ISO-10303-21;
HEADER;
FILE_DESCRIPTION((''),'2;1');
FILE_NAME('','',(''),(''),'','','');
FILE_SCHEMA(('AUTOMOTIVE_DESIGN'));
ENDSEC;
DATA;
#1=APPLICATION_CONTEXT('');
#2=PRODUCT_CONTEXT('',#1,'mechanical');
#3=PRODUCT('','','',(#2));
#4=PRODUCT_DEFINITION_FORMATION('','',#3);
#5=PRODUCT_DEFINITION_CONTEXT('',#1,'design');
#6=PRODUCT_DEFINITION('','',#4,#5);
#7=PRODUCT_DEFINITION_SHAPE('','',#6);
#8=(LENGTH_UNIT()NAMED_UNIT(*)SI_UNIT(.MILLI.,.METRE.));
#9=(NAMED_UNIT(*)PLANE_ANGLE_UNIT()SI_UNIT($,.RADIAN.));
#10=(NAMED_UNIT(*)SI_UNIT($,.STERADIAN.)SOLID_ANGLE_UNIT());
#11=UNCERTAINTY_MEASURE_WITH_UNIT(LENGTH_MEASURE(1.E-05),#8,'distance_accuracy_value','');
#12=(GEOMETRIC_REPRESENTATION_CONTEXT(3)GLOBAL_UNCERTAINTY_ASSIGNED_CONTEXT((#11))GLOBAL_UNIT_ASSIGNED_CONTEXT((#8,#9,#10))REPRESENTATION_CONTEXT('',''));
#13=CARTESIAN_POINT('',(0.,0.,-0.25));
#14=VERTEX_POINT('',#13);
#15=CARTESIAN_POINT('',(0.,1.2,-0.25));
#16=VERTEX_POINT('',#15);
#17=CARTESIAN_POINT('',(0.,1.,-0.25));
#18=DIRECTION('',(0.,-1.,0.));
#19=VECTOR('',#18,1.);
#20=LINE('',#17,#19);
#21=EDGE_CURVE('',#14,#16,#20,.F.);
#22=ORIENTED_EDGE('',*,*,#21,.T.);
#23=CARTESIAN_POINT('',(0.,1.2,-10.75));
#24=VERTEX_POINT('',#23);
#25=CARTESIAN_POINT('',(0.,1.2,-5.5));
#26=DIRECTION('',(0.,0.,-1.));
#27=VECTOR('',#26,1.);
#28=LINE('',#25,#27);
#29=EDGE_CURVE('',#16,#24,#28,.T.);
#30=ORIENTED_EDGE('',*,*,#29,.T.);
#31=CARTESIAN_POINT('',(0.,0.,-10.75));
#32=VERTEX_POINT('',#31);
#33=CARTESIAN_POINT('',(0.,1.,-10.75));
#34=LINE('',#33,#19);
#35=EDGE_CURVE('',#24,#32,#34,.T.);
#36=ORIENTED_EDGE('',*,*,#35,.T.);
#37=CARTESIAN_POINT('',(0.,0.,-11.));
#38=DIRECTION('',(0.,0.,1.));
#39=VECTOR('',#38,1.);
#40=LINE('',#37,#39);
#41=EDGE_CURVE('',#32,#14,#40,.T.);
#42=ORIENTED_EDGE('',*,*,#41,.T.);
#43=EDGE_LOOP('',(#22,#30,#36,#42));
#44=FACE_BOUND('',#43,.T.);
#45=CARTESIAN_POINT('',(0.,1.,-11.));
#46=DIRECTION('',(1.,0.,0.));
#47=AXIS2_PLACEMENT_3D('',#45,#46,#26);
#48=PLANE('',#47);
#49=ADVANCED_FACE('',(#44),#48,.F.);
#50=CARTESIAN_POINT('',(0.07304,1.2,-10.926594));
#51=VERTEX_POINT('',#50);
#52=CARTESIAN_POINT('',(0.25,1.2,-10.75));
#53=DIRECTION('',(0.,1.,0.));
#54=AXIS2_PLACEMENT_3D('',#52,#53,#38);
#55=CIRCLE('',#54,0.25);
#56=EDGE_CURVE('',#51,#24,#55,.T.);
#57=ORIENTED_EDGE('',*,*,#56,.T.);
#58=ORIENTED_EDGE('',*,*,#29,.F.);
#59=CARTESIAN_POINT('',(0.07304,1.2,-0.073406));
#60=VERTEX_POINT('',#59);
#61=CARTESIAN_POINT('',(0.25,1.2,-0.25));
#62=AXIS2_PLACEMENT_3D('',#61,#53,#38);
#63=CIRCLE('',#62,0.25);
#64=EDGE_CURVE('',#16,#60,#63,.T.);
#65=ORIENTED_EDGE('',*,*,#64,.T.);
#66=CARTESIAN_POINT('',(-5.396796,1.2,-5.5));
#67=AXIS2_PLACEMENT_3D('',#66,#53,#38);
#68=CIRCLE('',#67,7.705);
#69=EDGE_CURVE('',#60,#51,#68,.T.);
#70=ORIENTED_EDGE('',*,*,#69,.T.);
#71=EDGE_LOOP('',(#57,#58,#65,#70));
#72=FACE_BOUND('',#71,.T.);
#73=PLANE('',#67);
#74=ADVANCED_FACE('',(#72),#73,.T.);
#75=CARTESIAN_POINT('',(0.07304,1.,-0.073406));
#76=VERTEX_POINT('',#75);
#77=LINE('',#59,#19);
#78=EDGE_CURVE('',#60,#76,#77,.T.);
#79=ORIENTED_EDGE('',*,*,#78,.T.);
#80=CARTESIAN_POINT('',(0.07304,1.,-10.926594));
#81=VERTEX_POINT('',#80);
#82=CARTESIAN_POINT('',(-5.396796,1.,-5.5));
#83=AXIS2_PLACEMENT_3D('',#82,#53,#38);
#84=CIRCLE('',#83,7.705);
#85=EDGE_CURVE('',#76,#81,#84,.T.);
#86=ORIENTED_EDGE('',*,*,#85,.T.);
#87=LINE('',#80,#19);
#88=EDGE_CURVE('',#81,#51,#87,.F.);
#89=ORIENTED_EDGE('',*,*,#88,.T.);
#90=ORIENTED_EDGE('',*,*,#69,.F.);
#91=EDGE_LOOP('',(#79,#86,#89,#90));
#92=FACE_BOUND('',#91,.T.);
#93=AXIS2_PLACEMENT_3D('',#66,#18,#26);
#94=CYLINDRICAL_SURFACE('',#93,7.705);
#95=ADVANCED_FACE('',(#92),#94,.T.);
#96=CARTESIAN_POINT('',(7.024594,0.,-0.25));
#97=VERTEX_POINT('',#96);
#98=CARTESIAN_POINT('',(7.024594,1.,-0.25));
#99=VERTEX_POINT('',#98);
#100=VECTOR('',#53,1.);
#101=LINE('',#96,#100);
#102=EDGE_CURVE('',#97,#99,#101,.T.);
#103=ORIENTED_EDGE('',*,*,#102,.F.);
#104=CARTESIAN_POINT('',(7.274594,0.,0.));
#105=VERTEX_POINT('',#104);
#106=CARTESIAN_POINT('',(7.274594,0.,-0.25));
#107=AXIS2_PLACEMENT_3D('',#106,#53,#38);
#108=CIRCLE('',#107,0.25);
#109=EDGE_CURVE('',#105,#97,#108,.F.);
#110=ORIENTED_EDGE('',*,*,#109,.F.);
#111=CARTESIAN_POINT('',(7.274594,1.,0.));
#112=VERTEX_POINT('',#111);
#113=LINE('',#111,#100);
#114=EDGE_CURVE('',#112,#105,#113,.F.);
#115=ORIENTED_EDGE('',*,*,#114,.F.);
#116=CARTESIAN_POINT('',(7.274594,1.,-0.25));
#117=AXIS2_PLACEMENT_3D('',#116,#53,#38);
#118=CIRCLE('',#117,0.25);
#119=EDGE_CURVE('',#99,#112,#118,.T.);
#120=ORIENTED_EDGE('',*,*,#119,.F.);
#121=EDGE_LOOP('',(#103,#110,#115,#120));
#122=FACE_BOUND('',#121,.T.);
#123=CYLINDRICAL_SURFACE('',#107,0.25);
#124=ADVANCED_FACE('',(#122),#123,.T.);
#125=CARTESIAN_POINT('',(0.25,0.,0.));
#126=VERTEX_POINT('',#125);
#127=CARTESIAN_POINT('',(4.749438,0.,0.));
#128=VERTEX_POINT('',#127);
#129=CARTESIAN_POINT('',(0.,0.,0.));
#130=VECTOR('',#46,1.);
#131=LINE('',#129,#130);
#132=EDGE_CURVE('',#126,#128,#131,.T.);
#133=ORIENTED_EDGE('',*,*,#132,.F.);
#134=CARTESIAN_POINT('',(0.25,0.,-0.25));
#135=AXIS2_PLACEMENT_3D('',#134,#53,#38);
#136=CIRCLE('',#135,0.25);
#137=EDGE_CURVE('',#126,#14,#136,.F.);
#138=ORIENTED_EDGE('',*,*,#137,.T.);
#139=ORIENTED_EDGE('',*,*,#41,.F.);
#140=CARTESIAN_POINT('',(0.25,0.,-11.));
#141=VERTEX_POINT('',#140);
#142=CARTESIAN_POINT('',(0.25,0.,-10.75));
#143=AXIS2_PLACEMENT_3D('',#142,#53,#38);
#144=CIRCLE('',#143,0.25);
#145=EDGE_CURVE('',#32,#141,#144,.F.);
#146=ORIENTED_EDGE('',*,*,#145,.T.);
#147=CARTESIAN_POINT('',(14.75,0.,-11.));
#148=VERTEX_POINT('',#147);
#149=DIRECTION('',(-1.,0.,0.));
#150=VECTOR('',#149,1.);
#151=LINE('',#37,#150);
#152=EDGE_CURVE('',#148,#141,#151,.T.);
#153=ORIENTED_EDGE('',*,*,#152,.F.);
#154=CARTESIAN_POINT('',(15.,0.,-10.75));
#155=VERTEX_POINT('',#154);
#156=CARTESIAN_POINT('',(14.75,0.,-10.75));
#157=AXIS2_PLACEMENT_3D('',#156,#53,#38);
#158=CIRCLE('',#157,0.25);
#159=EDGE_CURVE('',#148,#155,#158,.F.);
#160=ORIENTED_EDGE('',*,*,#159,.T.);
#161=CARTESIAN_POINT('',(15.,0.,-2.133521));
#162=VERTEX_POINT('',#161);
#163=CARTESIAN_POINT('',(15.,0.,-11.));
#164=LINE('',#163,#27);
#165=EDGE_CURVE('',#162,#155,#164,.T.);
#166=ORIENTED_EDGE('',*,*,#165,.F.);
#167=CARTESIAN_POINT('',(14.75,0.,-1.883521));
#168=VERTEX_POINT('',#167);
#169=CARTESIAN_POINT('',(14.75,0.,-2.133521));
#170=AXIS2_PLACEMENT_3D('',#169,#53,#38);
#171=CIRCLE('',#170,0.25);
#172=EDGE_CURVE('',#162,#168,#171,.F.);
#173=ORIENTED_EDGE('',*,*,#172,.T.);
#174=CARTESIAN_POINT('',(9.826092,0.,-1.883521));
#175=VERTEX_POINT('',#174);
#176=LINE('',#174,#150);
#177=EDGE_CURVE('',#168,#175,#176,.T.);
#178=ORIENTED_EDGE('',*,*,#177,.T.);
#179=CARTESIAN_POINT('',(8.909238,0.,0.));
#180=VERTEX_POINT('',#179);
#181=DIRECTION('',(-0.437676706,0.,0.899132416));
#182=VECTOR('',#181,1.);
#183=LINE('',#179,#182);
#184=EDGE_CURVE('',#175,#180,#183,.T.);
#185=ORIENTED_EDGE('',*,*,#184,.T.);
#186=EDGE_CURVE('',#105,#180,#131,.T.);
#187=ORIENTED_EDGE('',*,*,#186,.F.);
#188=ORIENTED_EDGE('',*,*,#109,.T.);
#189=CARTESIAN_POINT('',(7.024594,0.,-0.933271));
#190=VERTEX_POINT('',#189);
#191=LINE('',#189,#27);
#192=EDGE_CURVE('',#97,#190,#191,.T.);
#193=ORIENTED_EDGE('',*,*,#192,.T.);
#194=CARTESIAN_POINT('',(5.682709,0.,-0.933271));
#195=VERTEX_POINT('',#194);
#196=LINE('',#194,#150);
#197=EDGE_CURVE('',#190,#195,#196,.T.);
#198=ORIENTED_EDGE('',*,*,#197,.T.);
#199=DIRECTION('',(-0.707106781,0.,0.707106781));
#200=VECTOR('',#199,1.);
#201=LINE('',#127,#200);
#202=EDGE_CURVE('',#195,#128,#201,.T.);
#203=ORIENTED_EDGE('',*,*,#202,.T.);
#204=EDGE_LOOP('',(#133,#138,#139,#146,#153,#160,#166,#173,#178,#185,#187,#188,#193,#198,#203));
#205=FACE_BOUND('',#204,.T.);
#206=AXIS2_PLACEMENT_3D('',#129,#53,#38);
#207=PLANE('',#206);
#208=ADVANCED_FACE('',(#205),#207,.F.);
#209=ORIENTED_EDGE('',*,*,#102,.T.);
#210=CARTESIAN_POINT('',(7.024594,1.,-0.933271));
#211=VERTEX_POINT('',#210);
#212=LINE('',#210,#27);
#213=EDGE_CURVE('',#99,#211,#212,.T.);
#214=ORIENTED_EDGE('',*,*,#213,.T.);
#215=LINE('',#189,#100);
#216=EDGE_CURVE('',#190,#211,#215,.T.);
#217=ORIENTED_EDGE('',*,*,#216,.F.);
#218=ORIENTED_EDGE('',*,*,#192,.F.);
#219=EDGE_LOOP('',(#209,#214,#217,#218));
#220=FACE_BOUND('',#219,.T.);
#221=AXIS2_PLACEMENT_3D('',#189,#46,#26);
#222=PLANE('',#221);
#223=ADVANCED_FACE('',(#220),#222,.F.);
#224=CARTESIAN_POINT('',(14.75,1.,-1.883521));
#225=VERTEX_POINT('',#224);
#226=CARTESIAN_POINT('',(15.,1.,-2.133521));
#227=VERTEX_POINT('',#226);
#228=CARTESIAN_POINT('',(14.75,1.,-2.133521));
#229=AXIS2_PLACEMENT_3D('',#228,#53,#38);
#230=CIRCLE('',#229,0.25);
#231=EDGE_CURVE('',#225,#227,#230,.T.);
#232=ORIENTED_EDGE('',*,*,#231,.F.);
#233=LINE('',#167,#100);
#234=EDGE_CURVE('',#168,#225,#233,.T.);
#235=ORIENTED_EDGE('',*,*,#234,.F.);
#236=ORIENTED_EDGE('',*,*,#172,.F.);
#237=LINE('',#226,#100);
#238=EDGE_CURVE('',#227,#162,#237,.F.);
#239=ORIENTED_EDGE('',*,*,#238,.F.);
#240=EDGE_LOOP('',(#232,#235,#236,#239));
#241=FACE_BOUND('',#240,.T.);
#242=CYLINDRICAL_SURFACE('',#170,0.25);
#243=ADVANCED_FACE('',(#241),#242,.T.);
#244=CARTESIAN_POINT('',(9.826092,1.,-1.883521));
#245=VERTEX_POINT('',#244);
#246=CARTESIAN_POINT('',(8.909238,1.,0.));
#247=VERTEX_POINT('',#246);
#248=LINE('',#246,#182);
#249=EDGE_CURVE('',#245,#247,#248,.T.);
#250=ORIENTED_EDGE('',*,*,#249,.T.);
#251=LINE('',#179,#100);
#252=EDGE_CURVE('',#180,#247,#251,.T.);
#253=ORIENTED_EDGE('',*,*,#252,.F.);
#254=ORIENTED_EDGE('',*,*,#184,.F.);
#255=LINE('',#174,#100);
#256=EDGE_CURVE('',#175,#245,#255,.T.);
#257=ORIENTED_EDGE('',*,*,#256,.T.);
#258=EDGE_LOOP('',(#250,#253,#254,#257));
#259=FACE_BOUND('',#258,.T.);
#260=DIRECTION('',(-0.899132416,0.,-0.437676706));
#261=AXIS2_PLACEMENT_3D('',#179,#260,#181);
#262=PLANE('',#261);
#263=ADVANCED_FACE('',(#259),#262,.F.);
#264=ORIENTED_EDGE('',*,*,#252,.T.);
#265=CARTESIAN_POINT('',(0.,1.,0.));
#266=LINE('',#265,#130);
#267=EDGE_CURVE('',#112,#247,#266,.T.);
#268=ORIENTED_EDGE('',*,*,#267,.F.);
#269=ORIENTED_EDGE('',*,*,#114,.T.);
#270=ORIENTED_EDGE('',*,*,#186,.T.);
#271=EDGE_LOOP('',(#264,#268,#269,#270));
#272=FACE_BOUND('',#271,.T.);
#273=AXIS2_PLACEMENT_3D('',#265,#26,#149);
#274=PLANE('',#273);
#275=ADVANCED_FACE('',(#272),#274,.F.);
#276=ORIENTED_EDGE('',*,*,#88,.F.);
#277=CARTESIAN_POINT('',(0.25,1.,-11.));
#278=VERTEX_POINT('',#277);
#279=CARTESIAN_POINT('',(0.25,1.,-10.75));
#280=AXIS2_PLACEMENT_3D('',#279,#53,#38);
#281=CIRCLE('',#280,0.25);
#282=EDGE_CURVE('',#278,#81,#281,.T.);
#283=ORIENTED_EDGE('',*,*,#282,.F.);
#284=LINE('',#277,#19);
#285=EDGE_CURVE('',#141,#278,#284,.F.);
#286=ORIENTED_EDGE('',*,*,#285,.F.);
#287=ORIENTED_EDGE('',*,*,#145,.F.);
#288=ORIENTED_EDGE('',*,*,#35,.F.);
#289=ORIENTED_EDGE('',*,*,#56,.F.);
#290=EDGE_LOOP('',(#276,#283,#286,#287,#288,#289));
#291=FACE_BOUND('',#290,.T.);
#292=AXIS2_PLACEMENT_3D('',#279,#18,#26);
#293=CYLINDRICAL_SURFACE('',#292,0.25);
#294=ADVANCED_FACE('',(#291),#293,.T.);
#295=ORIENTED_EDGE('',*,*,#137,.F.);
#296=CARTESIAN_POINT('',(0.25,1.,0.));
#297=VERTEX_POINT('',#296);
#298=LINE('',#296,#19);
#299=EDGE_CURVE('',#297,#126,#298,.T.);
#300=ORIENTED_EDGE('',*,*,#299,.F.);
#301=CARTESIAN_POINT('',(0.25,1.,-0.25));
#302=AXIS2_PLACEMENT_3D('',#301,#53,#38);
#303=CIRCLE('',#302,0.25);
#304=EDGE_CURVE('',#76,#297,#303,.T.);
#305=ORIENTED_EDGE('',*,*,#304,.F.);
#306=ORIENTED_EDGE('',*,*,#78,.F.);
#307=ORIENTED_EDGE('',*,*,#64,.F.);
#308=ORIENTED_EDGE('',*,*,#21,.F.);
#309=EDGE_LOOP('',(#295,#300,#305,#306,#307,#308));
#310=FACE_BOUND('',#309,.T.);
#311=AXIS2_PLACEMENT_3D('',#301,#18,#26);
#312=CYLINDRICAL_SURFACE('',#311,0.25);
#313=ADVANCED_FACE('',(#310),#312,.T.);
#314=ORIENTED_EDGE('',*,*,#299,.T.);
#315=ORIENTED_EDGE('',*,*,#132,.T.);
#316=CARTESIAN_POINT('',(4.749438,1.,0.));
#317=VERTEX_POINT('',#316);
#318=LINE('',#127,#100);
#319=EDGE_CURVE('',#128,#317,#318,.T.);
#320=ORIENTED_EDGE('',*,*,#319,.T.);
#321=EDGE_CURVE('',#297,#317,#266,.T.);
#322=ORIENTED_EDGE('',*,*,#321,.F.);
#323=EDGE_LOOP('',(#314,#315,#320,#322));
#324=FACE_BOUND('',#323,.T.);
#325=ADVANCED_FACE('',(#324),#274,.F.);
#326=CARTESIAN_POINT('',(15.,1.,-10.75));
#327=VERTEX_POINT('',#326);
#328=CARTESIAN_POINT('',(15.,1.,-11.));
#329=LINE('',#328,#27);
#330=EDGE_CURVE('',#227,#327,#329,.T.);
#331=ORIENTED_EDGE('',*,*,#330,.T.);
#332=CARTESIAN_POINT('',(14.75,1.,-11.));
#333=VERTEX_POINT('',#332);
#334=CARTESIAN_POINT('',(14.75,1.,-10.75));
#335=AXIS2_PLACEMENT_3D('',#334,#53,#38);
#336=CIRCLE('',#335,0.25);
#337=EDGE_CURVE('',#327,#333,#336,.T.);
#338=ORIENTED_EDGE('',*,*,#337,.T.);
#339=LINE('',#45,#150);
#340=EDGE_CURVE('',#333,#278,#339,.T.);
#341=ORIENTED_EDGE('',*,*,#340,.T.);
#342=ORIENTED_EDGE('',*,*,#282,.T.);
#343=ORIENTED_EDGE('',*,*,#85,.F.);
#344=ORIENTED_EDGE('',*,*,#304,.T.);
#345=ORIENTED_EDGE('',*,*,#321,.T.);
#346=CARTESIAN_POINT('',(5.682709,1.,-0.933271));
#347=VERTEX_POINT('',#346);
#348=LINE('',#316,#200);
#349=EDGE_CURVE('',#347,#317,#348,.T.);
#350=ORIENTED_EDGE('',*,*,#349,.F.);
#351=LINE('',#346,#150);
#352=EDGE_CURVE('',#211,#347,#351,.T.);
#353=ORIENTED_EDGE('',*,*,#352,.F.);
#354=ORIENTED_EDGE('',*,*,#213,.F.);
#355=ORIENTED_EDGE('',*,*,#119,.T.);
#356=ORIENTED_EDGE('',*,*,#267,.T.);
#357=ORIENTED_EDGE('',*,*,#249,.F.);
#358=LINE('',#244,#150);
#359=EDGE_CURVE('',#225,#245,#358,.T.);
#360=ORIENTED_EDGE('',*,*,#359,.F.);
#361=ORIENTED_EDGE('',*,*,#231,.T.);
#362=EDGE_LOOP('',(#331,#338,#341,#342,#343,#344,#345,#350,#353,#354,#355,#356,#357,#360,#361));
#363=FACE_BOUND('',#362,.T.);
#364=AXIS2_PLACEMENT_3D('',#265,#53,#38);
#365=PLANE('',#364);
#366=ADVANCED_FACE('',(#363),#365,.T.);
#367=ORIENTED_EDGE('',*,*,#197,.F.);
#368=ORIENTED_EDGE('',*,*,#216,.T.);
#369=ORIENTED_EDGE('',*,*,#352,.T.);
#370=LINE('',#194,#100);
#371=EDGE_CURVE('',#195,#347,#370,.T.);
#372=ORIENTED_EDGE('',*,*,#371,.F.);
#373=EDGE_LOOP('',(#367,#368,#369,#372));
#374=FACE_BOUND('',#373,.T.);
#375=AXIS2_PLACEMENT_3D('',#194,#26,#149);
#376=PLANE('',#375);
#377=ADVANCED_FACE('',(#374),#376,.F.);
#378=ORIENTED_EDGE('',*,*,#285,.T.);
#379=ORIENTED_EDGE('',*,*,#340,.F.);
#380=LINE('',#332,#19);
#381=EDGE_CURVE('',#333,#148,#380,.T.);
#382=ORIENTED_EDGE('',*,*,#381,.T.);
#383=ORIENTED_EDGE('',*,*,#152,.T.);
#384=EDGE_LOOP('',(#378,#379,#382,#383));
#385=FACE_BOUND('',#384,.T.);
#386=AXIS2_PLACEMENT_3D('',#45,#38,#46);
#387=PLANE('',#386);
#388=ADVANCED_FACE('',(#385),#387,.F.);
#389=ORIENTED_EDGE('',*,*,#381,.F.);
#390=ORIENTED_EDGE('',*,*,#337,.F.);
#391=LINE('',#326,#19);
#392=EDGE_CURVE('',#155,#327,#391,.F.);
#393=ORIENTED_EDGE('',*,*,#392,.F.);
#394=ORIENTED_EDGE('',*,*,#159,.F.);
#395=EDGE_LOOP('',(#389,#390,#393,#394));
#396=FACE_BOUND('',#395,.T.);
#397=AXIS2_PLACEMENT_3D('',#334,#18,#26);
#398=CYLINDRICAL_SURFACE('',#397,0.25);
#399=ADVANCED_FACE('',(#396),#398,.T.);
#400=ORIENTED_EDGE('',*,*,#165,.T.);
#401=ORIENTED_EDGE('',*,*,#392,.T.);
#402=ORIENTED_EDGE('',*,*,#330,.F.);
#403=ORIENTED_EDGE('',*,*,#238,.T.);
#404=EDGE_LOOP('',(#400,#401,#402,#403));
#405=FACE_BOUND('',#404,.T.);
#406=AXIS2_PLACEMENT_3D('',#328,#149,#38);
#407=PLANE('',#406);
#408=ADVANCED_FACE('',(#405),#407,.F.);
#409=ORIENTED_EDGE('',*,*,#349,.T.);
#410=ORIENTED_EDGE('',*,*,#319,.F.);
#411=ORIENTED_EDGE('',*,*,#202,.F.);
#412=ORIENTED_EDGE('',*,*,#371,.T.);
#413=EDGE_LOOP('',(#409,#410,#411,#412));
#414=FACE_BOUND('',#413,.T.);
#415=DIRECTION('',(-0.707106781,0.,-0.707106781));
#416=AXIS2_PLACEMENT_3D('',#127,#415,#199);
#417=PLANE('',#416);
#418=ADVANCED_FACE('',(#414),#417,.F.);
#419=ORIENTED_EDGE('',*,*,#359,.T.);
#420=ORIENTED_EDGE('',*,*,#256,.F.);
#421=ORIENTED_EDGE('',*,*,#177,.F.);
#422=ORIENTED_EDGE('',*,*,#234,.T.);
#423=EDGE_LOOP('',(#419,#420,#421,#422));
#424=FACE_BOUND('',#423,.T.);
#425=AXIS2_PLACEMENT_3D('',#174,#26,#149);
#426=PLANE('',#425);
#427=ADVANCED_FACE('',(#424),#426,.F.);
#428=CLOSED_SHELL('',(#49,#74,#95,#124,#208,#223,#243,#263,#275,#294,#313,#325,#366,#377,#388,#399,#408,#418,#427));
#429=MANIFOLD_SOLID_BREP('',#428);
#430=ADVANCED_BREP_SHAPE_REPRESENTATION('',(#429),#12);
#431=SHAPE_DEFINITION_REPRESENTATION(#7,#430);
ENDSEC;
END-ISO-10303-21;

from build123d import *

# Parameters (mm, degrees)
SKETCH1_W           = 15
SKETCH1_H           = 11
BOSS_EXTRUDE1_DEPTH = 1
CUT_EXTRUDE3_DEPTH  = 19.62793601
CUT_EXTRUDE4_DEPTH  = 19.62793601
FILLET3_R           = 0.25
FILLET4_R           = 0.25
SKETCH8_R           = 7.705
BOSS_EXTRUDE2_DEPTH = 0.2
SKETCH12_W          = 14.564245133
SKETCH12_H          = 17.019207238
CUT_EXTRUDE5_DEPTH  = 21.020290333
FILLET5_R           = 0.25


with BuildPart() as part:
    # Sketch1 → Boss-Extrude1 (new body)
    with BuildSketch(Plane(origin=(0, 0, 0), x_dir=(1, 0, 0), z_dir=(0, 1, 0))):
        with Locations((7.5, 5.5)):
            Rectangle(SKETCH1_W, SKETCH1_H)
    extrude(amount=BOSS_EXTRUDE1_DEPTH)

    # Sketch4 → Cut-Extrude3 (cut, through all)
    with BuildSketch(Plane(origin=(0, 1, 0), x_dir=(1, 0, 0), z_dir=(0, 1, 0))):
        Polygon((4.749438202, 0), (5.682709114, 0.933270911), (7.024594257, 0.933270911), (7.024594257, 0), align=None)
    extrude(amount=-CUT_EXTRUDE3_DEPTH, mode=Mode.SUBTRACT)

    # Sketch6 → Cut-Extrude4 (cut, through all)
    with BuildSketch(Plane(origin=(0, 1, 0), x_dir=(1, 0, 0), z_dir=(0, 1, 0))):
        Polygon((8.909238452, 0), (9.826092385, 1.883520599), (15, 1.883520599), (15, 0), align=None)
    extrude(amount=-CUT_EXTRUDE4_DEPTH, mode=Mode.SUBTRACT)

    # Fillet3
    fillet3_edges = [part.edges().sort_by_distance(p)[0] for p in [
        (15, 0.5, -1.883520599),
    ]]
    fillet(fillet3_edges, radius=FILLET3_R)

    # Fillet4
    fillet4_edges = [part.edges().sort_by_distance(p)[0] for p in [
        (7.024594257, 0.5, 0),
    ]]
    fillet(fillet4_edges, radius=FILLET4_R)

    # Sketch8 → Boss-Extrude2 (add)
    with BuildSketch(Plane(origin=(0, 1, 0), x_dir=(1, 0, 0), z_dir=(0, 1, 0))):
        with Locations(Location((-5.396795531, 5.5, 0), (0, 0, 45.538670416))):
            Circle(SKETCH8_R)
    extrude(amount=BOSS_EXTRUDE2_DEPTH)

    # Sketch12 → Cut-Extrude5 (cut, through all)
    with BuildSketch(Plane(origin=(0, 1.2, 0), x_dir=(1, 0, 0), z_dir=(0, 1, 0))):
        with Locations((-7.282122567, 5.49450546)):
            Rectangle(SKETCH12_W, SKETCH12_H)
    extrude(amount=-CUT_EXTRUDE5_DEPTH, mode=Mode.SUBTRACT)

    # Fillet5
    fillet5_edges = [part.edges().sort_by_distance(p)[0] for p in [
        (15, 0.5, -11),
        (0, 0.5, 0),
        (0, 0.5, -11),
    ]]
    fillet(fillet5_edges, radius=FILLET5_R)


solid = part.part
